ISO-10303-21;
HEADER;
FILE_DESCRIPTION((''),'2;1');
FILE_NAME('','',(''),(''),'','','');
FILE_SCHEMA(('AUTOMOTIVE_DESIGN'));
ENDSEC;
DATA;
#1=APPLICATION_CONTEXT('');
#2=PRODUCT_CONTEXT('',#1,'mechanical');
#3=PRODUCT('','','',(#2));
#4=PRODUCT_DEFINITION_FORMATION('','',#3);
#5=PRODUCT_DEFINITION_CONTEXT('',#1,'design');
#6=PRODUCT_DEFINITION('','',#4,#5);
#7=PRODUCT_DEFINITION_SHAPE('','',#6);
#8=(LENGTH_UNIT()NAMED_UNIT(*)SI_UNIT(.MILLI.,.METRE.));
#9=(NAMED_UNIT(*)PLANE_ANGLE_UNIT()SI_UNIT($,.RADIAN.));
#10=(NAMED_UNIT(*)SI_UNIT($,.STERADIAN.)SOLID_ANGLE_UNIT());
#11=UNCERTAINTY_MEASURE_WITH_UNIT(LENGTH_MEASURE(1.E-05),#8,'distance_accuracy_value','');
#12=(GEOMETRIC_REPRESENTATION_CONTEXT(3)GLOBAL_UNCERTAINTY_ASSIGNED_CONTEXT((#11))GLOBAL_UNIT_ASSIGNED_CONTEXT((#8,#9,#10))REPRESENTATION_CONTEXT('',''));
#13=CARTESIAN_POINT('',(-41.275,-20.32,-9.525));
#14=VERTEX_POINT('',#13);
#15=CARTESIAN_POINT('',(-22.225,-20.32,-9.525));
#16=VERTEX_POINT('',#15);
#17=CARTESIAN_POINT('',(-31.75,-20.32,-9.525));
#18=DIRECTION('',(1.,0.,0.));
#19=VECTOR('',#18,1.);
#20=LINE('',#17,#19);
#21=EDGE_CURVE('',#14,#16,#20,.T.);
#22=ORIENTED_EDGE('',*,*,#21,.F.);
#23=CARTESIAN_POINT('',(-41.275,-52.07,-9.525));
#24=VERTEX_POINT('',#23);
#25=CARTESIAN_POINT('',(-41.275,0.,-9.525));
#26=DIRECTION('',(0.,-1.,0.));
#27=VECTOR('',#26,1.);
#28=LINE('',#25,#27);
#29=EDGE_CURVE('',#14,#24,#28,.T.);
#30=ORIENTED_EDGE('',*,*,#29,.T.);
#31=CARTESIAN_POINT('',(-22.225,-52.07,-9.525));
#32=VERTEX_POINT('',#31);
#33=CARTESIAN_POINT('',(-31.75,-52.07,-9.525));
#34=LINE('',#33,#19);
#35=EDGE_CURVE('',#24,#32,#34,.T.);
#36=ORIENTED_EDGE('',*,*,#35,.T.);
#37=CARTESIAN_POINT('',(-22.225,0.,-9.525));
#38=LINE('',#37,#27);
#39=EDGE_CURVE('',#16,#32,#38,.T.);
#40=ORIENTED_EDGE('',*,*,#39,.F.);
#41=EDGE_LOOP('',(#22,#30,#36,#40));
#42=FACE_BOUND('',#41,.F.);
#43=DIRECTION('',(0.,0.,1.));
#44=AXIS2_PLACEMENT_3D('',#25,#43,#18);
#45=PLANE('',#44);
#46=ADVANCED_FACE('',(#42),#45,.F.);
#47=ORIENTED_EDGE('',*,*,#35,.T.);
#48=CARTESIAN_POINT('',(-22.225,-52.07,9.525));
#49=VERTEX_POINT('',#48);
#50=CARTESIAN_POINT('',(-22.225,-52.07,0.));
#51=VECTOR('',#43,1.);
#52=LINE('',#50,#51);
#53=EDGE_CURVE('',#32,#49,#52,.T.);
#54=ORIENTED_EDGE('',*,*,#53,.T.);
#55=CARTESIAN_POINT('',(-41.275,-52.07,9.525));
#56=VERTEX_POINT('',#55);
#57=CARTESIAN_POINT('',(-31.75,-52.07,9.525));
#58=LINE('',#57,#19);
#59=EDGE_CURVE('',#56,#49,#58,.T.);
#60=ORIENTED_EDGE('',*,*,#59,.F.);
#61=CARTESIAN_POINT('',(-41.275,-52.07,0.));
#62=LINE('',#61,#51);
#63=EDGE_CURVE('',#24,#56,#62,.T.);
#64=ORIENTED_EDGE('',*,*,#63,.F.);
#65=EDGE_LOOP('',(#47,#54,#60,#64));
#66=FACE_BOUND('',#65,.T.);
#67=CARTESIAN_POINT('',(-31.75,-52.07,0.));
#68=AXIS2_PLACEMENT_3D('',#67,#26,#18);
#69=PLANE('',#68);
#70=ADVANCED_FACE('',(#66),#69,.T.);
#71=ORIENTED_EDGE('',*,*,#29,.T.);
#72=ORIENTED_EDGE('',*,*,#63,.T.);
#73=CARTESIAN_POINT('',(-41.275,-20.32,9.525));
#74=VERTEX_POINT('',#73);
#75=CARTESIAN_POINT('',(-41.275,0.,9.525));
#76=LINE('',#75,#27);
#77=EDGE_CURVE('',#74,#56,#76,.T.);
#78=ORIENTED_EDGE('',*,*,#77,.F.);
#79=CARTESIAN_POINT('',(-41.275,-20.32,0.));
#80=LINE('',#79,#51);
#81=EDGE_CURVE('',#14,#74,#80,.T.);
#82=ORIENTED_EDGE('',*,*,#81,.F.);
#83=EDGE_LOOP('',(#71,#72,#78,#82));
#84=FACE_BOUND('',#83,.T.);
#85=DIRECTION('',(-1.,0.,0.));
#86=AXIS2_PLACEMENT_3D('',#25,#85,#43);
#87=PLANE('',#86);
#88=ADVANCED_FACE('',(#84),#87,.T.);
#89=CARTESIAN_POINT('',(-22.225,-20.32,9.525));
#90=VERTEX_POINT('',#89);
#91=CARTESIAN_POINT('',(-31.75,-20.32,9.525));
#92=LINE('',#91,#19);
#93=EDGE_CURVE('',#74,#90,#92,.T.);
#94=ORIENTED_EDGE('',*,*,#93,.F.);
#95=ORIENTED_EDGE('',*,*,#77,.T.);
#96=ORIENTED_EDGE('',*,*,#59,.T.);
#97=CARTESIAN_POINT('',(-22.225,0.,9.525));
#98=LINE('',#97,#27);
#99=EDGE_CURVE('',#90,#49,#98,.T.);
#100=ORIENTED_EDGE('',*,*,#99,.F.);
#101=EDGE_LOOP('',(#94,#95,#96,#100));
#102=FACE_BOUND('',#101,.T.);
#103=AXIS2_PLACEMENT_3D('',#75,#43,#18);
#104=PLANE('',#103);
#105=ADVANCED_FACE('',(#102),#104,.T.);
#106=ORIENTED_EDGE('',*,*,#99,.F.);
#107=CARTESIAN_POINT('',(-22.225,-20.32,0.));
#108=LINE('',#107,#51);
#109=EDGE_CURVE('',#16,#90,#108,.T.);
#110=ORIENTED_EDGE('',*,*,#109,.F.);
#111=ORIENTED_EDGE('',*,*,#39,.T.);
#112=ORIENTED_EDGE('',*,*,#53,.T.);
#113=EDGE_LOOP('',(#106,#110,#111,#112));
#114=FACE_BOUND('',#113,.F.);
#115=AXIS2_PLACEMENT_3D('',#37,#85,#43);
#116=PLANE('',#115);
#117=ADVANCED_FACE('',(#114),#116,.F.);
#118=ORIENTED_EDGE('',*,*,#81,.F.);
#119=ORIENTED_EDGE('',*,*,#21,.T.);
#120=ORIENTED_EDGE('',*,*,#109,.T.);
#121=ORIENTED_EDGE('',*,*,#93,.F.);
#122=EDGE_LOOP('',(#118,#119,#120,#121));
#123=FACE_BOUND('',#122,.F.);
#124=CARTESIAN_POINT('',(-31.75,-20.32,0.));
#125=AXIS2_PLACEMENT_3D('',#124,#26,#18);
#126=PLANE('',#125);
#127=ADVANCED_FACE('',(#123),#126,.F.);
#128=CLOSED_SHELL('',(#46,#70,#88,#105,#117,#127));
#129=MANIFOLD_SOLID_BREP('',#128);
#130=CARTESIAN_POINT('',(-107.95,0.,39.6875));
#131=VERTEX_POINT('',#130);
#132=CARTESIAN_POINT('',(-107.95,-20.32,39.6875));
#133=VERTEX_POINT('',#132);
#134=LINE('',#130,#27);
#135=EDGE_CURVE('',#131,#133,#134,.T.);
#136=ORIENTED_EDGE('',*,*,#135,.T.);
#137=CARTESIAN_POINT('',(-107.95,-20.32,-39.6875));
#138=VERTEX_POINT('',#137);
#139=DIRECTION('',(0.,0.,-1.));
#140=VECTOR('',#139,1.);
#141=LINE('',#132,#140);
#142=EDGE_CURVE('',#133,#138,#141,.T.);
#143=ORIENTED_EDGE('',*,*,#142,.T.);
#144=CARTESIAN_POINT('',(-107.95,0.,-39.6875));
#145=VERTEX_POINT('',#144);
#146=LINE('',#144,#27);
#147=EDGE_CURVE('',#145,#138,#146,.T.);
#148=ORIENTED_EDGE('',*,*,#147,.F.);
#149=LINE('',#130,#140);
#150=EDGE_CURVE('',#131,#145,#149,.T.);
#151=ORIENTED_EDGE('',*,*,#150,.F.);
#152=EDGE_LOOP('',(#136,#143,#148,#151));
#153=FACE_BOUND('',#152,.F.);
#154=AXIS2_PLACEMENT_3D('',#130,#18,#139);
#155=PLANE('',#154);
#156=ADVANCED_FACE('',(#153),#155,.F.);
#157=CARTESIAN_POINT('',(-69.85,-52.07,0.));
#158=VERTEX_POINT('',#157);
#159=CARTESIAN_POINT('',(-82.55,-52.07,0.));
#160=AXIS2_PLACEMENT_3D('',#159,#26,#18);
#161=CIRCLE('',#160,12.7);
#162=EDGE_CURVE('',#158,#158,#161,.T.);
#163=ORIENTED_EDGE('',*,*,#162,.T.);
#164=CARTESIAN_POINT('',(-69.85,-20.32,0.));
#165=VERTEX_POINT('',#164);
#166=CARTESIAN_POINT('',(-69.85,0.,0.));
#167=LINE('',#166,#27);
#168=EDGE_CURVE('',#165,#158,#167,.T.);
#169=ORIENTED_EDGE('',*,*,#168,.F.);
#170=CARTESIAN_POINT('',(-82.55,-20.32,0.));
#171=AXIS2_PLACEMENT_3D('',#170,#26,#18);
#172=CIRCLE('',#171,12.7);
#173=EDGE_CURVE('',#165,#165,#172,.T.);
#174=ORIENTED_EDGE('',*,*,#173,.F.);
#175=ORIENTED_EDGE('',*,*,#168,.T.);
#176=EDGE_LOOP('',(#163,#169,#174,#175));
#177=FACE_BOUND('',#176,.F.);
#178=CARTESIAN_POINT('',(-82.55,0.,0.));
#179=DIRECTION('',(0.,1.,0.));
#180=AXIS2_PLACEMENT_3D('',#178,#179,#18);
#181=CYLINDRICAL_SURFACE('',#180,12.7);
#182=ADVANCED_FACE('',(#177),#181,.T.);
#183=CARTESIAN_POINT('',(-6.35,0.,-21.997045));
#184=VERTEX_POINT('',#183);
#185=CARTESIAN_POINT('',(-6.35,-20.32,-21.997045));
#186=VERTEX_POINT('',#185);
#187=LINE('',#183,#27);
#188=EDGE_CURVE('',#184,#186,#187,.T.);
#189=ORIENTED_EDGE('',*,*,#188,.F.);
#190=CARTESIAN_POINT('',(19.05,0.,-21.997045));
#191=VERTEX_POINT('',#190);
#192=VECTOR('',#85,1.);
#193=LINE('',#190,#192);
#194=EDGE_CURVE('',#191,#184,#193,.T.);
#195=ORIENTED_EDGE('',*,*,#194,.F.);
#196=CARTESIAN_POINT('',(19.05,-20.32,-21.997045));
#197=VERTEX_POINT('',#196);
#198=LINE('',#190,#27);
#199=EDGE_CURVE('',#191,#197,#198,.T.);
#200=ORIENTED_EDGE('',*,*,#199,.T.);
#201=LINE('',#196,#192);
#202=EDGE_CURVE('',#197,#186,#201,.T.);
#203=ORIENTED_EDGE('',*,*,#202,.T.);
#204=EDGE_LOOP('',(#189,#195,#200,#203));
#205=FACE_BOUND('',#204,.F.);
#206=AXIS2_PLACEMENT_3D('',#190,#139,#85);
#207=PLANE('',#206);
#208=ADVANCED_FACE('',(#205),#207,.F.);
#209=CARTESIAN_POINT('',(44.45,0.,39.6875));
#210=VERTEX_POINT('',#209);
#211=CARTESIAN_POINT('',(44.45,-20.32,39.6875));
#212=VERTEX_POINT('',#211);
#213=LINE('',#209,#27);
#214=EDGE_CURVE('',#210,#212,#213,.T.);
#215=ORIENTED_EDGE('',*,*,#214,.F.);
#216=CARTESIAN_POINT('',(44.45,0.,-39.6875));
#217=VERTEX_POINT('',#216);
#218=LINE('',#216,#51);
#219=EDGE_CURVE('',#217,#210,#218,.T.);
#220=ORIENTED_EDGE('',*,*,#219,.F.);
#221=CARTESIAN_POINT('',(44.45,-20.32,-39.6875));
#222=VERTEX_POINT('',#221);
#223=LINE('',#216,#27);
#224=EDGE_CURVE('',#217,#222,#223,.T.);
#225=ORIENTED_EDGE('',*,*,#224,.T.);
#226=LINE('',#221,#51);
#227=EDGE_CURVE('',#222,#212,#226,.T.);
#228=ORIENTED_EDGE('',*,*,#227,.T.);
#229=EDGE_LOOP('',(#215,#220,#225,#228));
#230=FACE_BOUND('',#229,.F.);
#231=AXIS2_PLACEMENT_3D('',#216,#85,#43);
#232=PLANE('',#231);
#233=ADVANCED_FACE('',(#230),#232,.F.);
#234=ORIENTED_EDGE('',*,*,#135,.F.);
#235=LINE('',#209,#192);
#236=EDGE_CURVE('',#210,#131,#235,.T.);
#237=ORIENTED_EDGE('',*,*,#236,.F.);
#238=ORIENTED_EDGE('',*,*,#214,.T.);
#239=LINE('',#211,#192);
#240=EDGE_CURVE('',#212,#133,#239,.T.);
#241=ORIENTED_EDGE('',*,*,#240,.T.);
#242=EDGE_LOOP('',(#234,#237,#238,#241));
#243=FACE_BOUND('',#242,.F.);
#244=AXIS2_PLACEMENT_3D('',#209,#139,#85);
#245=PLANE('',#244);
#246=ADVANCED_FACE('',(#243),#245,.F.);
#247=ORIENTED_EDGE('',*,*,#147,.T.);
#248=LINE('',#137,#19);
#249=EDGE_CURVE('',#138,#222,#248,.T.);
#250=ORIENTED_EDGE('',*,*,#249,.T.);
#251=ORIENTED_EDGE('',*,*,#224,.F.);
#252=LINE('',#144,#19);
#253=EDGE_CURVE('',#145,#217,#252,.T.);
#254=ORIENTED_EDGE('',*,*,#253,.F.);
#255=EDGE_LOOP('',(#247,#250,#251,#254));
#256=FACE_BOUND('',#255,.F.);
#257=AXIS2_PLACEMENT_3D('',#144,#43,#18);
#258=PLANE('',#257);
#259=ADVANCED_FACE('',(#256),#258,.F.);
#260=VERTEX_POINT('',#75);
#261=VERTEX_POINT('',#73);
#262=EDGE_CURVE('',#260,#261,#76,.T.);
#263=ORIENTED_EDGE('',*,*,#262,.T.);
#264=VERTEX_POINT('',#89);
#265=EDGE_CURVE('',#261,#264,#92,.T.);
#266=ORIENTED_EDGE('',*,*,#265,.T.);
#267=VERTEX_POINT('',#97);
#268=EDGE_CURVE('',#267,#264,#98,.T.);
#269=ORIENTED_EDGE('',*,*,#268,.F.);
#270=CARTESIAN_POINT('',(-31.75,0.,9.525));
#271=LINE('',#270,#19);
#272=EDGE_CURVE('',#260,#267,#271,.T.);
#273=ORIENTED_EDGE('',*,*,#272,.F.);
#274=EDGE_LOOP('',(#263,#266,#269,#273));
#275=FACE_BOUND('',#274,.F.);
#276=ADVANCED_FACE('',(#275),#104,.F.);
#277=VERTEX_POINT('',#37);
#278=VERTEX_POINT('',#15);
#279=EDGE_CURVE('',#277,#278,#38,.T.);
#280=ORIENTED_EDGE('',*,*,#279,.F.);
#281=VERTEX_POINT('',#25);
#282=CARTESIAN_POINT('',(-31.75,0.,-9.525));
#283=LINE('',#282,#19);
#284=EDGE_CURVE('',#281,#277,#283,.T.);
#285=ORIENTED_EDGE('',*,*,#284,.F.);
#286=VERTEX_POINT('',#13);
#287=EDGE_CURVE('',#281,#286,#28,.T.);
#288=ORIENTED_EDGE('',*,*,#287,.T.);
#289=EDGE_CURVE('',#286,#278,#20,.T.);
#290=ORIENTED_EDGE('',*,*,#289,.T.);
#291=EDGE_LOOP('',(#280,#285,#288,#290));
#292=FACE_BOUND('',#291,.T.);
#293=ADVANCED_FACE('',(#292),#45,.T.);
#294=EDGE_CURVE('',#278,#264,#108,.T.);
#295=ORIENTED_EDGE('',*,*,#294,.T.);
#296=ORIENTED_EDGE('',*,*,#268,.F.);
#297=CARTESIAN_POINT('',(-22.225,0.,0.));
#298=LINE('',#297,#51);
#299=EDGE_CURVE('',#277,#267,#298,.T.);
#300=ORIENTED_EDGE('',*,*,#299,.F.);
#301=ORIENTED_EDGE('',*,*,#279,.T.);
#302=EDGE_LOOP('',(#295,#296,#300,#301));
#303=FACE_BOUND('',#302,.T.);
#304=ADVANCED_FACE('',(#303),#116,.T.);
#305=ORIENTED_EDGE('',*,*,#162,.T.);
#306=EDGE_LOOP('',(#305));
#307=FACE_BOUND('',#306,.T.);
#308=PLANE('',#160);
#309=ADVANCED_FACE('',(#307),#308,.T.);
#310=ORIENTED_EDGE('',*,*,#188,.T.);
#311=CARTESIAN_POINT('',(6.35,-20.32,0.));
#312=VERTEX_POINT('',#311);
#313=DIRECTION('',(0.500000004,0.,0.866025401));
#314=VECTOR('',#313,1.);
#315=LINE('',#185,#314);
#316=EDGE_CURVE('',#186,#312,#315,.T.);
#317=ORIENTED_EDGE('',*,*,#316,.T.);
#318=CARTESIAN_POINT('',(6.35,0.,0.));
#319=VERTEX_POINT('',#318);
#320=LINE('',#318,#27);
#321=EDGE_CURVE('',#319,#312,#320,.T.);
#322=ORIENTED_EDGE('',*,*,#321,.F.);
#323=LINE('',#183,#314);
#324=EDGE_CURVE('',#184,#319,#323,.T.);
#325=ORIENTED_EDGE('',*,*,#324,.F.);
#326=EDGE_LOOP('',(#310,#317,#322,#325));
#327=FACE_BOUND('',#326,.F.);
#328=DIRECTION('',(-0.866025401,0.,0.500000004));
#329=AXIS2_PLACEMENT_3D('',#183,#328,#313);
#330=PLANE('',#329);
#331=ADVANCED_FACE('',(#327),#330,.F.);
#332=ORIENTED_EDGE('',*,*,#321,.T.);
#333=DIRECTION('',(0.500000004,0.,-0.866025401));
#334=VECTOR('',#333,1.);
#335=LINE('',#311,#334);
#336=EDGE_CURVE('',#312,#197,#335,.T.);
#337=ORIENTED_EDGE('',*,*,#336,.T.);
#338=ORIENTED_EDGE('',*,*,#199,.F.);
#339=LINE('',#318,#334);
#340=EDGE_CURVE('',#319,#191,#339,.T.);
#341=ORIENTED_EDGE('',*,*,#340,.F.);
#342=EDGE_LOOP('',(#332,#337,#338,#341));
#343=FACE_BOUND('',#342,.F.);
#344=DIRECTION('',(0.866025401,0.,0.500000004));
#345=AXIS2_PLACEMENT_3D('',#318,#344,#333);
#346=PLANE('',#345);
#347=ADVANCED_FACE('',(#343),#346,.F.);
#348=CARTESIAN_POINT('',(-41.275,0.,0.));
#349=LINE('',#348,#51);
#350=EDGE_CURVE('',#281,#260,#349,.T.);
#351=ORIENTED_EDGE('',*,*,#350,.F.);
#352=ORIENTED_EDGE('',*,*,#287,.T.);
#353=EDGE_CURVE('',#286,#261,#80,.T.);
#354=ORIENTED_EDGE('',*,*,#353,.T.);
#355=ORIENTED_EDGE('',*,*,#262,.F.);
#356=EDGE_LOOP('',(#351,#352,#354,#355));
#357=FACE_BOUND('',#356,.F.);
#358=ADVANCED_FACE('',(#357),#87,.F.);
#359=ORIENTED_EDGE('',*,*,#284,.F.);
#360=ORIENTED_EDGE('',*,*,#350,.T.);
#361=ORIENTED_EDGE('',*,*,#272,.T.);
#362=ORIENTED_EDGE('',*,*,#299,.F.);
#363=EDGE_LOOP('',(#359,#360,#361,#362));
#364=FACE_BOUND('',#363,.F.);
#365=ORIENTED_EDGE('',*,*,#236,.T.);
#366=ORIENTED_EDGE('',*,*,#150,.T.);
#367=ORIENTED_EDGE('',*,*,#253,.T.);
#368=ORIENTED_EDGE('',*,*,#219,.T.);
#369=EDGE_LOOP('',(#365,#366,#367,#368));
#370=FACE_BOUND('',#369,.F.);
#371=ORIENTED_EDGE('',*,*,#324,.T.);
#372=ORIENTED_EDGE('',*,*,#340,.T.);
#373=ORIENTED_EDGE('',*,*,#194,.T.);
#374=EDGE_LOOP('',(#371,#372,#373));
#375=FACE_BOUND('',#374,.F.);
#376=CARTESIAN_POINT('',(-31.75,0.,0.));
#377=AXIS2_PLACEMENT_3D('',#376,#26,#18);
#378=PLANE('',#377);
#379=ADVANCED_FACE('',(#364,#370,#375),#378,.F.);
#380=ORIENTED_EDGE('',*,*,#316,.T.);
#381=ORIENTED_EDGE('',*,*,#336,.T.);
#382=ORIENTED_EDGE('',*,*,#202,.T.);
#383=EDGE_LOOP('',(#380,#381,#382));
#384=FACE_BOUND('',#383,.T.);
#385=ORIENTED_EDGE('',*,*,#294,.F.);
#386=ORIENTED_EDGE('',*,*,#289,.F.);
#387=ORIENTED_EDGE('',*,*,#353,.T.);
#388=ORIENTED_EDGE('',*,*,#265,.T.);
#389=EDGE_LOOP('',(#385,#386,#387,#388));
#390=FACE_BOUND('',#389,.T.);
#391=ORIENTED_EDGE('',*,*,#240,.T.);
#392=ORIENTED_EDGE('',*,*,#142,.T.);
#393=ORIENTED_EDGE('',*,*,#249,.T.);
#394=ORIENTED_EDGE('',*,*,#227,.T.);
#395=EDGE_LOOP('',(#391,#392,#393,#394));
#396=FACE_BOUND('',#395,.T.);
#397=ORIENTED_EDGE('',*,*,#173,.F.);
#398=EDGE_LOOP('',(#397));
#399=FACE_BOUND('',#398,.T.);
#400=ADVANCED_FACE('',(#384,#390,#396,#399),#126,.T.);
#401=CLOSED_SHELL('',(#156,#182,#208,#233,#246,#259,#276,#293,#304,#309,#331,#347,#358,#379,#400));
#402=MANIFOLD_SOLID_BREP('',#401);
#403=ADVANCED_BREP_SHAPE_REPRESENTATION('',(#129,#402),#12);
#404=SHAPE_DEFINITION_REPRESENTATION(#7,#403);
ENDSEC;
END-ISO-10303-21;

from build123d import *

# Parameters (mm, degrees)
F0_R     = 12.7
F0_W     = 19.05
F0_H     = 19.05
F1_DEPTH = 20.32
F2_DEPTH = 52.07
F3_DEPTH = 52.07
F4_DEPTH = 20.32


with BuildPart() as f1:
    # F0 (on Front) → F1 (new body)
    with BuildSketch(Plane.XZ):
        Polygon((44.45, -39.6875), (44.45, 0), (44.45, 39.6875), (-107.95, 39.6875), (-107.95, -39.6875), align=None)
        Polygon((-6.35, -21.997045), (6.35, 0), (19.05, -21.997045), align=None, mode=Mode.SUBTRACT)
        with Locations((-82.55, 0)):
            Circle(F0_R, mode=Mode.SUBTRACT)
        with Locations((-31.75, 0)):
            Rectangle(F0_W, F0_H, mode=Mode.SUBTRACT)
    extrude(amount=F1_DEPTH)

    # F0 (on Front) → F2 (join)
    with BuildSketch(Plane.XZ):
        with Locations((-82.55, 0)):
            Circle(F0_R)
    extrude(amount=F2_DEPTH)

    # F0 (on Front) → F3 (join)
    with BuildSketch(Plane.XZ):
        with Locations((-31.75, 0)):
            Rectangle(F0_W, F0_H)
    extrude(amount=F3_DEPTH)

    # F0 (on Front) → F4 (cut)
    with BuildSketch(Plane.XZ):
        with Locations((-31.75, 0)):
            Rectangle(F0_W, F0_H)
    extrude(amount=F4_DEPTH, mode=Mode.SUBTRACT)


solid = f1.part
